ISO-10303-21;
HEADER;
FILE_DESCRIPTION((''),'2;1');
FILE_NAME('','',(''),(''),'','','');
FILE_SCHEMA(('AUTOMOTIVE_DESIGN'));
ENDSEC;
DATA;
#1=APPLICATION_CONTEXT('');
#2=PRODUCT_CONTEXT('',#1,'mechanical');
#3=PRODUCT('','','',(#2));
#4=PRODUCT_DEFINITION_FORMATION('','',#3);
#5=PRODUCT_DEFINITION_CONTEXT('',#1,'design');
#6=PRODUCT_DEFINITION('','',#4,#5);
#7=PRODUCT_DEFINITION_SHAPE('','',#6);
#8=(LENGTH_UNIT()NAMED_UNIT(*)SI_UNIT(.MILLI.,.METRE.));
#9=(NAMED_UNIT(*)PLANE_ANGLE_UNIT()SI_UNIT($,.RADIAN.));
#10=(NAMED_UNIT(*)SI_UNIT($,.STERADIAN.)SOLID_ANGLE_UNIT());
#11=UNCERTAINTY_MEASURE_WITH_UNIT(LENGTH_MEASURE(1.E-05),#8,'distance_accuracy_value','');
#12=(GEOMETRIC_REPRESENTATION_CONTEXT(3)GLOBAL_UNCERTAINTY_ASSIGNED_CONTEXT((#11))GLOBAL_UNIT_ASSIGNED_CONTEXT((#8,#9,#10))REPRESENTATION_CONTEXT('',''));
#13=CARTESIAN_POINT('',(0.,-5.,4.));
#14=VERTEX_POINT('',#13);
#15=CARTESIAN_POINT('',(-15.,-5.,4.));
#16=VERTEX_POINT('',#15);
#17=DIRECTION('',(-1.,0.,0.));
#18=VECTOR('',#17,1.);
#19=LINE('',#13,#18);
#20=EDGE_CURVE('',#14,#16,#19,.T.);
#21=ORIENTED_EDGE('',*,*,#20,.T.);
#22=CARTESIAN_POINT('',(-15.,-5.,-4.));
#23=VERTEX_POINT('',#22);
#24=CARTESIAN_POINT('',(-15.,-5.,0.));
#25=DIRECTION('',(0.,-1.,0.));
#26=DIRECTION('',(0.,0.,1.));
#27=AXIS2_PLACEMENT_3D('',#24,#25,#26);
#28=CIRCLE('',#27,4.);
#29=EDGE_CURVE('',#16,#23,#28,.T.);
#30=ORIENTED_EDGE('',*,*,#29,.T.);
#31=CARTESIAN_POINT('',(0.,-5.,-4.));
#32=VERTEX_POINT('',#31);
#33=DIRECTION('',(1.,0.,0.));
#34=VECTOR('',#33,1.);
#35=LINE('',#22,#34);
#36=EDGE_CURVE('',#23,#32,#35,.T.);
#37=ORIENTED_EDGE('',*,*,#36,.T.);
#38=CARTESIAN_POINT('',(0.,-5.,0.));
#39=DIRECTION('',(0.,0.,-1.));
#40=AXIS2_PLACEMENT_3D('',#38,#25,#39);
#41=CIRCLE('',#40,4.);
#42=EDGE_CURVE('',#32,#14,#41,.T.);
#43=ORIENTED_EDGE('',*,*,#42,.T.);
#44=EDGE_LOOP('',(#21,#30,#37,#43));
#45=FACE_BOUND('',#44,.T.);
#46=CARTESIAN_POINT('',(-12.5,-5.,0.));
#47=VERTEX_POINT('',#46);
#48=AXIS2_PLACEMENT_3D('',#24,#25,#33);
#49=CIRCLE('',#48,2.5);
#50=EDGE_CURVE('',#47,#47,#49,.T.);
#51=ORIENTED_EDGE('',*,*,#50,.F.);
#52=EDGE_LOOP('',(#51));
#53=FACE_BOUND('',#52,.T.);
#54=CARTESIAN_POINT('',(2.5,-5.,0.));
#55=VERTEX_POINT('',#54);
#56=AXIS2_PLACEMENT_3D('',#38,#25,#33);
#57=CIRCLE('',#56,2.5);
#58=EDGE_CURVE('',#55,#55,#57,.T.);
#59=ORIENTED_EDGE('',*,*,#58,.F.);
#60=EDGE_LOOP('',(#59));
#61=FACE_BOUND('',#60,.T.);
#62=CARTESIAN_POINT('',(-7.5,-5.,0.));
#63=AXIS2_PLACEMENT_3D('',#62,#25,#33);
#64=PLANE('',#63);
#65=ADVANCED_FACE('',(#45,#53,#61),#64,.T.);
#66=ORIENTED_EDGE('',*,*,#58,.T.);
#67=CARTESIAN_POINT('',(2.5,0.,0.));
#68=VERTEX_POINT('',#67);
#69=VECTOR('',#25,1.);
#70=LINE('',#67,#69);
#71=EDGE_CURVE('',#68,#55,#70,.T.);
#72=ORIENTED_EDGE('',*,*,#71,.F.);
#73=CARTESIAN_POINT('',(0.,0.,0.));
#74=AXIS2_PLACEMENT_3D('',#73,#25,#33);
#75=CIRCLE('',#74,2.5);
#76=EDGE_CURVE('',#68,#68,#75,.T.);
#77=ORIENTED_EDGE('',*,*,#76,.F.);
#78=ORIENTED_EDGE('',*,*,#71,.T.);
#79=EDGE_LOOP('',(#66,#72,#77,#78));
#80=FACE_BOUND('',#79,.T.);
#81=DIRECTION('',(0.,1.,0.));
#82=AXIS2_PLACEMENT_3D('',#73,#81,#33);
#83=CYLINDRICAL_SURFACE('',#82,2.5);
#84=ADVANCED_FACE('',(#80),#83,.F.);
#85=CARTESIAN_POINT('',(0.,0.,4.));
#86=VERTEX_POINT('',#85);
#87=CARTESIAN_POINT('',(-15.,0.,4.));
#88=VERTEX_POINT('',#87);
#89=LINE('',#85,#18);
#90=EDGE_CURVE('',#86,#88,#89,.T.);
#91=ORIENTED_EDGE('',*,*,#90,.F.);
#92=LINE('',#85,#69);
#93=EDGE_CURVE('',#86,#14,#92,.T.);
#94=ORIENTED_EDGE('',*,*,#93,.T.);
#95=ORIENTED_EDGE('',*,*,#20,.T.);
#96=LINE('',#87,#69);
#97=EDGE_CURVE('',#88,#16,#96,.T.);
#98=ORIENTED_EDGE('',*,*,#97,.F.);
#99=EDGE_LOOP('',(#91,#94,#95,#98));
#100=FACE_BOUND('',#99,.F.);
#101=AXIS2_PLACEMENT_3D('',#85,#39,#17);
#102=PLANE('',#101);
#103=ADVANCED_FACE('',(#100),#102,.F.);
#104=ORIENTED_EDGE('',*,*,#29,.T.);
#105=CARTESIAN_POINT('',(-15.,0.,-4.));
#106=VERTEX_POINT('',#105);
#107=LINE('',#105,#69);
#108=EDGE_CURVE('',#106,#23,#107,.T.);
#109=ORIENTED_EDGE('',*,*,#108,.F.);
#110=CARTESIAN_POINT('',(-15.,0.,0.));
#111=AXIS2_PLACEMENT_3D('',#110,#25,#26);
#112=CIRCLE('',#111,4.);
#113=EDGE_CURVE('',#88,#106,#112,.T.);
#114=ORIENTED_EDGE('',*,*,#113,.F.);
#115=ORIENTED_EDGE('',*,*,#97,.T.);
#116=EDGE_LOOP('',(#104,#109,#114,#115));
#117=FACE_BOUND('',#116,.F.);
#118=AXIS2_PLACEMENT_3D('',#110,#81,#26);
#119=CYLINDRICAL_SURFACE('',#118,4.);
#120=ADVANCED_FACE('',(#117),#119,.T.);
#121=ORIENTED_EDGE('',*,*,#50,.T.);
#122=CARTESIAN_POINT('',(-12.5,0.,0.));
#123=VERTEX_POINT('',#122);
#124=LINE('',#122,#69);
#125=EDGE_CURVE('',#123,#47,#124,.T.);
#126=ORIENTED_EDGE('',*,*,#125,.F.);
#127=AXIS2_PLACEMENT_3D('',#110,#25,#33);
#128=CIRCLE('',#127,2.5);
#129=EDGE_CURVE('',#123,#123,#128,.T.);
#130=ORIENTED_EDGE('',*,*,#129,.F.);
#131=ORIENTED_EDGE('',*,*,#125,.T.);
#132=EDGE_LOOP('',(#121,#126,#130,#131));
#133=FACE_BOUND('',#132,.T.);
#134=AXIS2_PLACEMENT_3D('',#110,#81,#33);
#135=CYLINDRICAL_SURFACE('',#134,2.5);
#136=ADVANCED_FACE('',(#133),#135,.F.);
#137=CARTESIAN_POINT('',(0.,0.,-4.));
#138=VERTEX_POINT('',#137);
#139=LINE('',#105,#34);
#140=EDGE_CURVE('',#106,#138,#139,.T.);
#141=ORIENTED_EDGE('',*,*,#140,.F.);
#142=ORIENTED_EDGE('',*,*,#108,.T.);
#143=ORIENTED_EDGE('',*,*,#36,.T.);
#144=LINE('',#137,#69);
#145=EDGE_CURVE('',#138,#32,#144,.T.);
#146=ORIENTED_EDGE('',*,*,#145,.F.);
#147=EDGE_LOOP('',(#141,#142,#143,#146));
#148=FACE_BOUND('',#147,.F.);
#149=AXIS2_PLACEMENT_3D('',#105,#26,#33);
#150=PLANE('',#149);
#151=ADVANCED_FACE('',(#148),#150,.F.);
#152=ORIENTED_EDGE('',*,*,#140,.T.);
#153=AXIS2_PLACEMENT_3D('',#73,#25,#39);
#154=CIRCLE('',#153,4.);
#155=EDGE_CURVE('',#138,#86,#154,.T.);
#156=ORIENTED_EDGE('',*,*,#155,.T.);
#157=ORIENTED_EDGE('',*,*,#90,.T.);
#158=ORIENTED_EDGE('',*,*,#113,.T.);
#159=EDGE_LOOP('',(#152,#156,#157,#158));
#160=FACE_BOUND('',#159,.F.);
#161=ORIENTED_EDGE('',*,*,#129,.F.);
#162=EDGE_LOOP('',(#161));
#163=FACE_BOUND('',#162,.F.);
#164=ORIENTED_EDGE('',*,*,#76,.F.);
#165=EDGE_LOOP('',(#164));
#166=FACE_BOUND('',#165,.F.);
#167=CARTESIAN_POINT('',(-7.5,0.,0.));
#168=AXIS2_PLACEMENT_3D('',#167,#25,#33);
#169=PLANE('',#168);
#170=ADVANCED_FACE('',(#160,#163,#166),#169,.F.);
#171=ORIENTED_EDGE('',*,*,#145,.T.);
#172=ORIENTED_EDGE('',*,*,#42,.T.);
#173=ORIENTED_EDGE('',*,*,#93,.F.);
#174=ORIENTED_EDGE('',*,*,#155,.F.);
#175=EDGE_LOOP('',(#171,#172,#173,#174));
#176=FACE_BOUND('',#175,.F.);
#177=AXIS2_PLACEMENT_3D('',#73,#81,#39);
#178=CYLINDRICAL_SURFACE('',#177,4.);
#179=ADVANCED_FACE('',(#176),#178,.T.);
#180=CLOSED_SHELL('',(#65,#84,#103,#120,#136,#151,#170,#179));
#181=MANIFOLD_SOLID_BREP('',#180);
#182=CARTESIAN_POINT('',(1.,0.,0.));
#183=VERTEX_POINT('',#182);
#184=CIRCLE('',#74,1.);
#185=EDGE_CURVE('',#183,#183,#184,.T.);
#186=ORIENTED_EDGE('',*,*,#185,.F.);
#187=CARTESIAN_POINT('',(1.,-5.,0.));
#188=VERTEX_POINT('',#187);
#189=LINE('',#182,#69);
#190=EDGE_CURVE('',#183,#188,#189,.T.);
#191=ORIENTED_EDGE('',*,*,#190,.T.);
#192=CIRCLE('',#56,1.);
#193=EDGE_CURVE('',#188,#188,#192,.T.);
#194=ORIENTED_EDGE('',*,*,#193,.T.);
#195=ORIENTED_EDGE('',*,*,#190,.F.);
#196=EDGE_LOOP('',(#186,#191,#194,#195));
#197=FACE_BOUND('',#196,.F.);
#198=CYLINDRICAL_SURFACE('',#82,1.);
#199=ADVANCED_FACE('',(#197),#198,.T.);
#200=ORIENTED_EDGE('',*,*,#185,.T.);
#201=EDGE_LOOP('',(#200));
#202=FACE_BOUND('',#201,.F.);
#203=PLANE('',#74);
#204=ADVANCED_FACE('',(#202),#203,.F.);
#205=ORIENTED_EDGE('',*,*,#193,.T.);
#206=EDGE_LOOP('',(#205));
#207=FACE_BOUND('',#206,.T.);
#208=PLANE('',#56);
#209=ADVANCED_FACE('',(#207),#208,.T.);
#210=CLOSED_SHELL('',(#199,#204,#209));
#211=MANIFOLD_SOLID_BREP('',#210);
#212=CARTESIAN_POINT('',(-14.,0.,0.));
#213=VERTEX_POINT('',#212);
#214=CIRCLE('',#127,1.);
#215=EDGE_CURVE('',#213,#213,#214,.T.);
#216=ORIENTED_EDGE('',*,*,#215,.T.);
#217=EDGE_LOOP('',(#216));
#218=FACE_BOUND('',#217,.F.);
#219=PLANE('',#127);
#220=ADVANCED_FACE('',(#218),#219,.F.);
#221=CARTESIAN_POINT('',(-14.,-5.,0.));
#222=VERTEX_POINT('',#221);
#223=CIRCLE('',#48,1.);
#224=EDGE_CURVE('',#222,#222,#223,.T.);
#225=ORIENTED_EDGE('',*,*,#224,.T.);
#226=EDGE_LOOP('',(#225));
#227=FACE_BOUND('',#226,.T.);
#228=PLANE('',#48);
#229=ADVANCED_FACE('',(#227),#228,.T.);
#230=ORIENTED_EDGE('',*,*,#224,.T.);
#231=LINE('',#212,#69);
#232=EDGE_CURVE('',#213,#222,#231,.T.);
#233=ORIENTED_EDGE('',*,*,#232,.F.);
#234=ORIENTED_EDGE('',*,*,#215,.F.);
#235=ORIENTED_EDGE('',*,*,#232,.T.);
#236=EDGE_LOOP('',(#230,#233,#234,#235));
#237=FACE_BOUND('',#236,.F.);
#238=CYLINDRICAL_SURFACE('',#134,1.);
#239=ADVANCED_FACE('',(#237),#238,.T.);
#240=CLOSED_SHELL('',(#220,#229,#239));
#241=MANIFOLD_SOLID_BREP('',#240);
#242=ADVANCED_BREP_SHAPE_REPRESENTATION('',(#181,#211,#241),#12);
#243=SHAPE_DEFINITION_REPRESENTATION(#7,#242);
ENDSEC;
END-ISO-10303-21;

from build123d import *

# Parameters (mm, degrees)
F0_R     = 2.5
F0_R_2   = 1
F1_DEPTH = 5


with BuildPart() as f1:
    # F0 (on Front) → F1 (new body)
    with BuildSketch(Plane.XZ):
        with BuildLine():
            Line((0, 4), (-15, 4))
            ThreePointArc((-15, 4), (-19, 0), (-15, -4))
            Line((-15, -4), (0, -4))
            ThreePointArc((0, -4), (4, 0), (0, 4))
        make_face()
        with Locations((-15, 0)):
            Circle(F0_R, mode=Mode.SUBTRACT)
        Circle(F0_R, mode=Mode.SUBTRACT)
        with Locations((-15, 0)):
            Circle(F0_R_2)
        Circle(F0_R_2)
    extrude(amount=F1_DEPTH)


solid = f1.part
